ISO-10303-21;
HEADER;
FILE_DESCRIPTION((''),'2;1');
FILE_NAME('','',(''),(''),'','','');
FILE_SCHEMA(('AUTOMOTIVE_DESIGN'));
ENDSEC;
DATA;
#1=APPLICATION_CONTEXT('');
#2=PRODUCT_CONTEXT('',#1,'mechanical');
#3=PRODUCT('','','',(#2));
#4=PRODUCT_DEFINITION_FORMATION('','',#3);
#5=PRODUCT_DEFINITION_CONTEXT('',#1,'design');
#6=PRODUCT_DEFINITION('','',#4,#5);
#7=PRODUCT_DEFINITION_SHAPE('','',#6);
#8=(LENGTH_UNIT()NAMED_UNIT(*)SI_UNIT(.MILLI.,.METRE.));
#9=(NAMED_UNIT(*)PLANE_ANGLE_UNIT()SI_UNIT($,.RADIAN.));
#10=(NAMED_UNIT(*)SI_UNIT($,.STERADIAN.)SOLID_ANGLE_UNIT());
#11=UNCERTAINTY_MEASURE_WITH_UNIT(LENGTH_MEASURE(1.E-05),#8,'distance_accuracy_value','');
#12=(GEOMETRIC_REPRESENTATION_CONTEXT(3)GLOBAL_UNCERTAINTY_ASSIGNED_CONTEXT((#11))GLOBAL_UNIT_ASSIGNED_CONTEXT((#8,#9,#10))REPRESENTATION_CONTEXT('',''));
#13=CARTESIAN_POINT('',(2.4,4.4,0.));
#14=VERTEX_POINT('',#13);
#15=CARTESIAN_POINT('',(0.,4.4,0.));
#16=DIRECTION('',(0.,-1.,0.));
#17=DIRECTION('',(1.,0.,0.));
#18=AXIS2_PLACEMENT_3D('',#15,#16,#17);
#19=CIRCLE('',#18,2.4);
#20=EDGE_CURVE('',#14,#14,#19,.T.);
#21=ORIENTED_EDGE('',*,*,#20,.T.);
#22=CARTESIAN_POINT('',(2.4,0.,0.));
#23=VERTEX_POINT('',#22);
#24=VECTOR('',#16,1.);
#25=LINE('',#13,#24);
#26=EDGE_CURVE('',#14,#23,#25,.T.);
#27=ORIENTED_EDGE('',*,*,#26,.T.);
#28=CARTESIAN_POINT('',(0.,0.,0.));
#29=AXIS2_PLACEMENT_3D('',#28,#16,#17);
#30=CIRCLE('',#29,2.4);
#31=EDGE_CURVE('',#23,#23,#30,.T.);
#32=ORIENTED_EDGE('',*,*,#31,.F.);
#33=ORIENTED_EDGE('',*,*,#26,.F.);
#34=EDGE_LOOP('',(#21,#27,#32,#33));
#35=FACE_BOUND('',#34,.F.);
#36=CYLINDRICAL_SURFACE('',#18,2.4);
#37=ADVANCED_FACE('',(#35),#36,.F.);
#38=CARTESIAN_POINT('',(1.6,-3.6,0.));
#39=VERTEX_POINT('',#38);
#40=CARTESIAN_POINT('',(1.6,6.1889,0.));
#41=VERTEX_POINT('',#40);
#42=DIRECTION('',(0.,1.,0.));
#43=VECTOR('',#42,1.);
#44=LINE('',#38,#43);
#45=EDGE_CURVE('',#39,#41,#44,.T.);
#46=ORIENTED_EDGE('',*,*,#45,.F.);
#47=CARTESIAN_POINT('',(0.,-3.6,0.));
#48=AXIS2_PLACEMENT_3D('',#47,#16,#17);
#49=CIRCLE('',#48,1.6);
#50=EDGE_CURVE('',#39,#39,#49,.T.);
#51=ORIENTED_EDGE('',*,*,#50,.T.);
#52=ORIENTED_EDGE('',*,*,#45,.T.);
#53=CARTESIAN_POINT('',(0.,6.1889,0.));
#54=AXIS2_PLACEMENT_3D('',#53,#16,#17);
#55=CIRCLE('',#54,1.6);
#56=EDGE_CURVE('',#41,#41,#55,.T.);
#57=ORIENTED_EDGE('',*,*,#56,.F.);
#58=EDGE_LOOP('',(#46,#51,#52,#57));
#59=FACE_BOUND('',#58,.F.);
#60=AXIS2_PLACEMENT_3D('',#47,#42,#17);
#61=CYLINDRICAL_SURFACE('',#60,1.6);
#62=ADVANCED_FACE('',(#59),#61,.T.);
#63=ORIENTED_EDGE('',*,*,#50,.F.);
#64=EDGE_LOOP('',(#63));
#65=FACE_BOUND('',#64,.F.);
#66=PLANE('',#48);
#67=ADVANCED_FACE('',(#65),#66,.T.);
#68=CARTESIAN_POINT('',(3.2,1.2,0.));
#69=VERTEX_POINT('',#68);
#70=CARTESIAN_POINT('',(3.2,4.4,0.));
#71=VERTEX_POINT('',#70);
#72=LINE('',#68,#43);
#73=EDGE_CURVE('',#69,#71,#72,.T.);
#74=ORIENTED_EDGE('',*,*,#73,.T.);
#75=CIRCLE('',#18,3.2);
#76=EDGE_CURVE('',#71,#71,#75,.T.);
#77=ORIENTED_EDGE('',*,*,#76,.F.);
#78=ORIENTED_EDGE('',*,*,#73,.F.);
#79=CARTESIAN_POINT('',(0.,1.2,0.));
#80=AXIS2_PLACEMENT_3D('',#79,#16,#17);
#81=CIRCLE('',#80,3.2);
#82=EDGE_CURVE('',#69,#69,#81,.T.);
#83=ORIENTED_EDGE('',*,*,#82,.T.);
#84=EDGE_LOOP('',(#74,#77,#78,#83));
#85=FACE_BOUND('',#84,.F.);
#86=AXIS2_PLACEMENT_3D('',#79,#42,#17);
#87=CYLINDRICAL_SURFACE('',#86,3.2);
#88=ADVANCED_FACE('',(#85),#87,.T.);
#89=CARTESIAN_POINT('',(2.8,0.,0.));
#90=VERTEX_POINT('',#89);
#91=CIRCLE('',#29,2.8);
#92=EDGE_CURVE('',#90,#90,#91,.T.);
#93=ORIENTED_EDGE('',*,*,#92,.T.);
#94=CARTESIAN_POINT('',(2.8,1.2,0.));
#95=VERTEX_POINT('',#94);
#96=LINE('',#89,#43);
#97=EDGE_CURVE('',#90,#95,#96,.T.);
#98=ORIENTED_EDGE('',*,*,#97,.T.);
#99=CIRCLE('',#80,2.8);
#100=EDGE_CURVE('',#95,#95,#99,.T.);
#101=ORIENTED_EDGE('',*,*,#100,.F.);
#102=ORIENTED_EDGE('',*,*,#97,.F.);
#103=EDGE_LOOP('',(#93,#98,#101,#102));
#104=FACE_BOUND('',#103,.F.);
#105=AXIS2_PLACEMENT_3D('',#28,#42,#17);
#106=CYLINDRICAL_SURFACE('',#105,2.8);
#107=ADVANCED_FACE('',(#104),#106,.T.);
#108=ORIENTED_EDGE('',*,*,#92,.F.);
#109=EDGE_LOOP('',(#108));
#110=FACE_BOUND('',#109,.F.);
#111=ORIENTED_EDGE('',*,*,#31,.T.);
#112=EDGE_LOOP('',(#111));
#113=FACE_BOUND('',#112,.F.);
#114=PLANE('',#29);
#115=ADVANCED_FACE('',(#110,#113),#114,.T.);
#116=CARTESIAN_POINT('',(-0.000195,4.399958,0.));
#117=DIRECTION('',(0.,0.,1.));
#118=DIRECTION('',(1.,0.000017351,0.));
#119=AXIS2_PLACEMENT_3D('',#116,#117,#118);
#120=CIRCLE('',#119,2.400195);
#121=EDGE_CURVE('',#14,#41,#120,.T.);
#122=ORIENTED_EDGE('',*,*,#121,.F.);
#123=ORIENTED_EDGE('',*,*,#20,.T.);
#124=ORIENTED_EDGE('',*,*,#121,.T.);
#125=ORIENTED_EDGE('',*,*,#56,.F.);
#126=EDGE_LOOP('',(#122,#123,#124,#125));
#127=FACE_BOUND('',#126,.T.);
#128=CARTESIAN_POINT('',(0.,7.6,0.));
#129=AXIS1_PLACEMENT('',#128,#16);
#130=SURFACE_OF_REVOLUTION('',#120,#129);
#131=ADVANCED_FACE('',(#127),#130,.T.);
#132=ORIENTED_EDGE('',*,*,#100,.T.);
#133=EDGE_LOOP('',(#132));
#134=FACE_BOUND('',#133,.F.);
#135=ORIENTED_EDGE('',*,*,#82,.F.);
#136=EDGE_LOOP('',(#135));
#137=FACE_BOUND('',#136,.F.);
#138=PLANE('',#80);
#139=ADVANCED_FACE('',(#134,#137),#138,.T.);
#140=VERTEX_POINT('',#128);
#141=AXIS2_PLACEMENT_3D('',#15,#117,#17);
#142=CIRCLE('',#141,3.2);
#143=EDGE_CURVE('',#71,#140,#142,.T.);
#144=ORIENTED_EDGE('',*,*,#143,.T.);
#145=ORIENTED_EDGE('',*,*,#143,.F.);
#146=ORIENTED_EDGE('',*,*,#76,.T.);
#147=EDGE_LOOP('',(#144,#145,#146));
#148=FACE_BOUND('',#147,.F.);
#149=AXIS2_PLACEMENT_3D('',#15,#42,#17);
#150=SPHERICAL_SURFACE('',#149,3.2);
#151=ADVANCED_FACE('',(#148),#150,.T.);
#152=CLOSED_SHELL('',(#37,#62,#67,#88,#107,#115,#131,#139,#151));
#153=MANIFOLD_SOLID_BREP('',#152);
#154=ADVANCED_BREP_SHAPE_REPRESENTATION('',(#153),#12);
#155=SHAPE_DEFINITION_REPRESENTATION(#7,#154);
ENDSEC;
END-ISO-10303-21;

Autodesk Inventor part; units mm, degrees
ref_plane "YZ Plane" through (0, 0, 0) normal (1, 0, 0) x (0, 1, 0)
ref_plane "XZ Plane" through (0, 0, 0) normal (0, 1, 0) x (-1, 0, 0)
ref_plane "XY Plane" through (0, 0, 0) normal (0, 0, 1) x (1, 0, 0)
sketch "Sketch2" plane through (0, 0, 0) normal (0, 0, 1) x (1, 0, 0)
  line L0 (2.4, 4.4) -> (2.4, 0)
  line L1 (2.4, 0) -> (2.8, 0)
  line L2 (2.8, 0) -> (2.8, 1.2)
  line L3 (2.8, 1.2) -> (3.2, 1.2)
  line L4 (3.2, 1.2) -> (3.2, 4.4)
  arc A0 (3.2, 4.4) -> (0, 7.6) centre (0, 4.4) ccw
  line L5 (0, 7.6) -> (0, -3.6)
  line L6 (0, -3.6) -> (1.6, -3.6)
  line L7 (1.6, -3.6) -> (1.6, 6.1889)
  arc A1 (2.4, 4.4) -> (1.6, 6.1889) centre (0, 4.4) ccw
  point P0 (0, 0)
  dimension "d0" = 3.6
  dimension "d1" = 6.4
  dimension "d2" = 5.6
  dimension "d3" = 1.2
  dimension "d4" = 3.2
  dimension "d5" = 6.4
  dimension "d6" = 4.8
revolve "Revolution1" add sketch "Sketch2" angle 360 about axis through (0, 7.6, 0) along (0, -1, 0)
equation "\"d4\" = rd"
equation "\"rd\" = 3.2"
properties part number "58176-TransRed" material "ABS Plastic"
